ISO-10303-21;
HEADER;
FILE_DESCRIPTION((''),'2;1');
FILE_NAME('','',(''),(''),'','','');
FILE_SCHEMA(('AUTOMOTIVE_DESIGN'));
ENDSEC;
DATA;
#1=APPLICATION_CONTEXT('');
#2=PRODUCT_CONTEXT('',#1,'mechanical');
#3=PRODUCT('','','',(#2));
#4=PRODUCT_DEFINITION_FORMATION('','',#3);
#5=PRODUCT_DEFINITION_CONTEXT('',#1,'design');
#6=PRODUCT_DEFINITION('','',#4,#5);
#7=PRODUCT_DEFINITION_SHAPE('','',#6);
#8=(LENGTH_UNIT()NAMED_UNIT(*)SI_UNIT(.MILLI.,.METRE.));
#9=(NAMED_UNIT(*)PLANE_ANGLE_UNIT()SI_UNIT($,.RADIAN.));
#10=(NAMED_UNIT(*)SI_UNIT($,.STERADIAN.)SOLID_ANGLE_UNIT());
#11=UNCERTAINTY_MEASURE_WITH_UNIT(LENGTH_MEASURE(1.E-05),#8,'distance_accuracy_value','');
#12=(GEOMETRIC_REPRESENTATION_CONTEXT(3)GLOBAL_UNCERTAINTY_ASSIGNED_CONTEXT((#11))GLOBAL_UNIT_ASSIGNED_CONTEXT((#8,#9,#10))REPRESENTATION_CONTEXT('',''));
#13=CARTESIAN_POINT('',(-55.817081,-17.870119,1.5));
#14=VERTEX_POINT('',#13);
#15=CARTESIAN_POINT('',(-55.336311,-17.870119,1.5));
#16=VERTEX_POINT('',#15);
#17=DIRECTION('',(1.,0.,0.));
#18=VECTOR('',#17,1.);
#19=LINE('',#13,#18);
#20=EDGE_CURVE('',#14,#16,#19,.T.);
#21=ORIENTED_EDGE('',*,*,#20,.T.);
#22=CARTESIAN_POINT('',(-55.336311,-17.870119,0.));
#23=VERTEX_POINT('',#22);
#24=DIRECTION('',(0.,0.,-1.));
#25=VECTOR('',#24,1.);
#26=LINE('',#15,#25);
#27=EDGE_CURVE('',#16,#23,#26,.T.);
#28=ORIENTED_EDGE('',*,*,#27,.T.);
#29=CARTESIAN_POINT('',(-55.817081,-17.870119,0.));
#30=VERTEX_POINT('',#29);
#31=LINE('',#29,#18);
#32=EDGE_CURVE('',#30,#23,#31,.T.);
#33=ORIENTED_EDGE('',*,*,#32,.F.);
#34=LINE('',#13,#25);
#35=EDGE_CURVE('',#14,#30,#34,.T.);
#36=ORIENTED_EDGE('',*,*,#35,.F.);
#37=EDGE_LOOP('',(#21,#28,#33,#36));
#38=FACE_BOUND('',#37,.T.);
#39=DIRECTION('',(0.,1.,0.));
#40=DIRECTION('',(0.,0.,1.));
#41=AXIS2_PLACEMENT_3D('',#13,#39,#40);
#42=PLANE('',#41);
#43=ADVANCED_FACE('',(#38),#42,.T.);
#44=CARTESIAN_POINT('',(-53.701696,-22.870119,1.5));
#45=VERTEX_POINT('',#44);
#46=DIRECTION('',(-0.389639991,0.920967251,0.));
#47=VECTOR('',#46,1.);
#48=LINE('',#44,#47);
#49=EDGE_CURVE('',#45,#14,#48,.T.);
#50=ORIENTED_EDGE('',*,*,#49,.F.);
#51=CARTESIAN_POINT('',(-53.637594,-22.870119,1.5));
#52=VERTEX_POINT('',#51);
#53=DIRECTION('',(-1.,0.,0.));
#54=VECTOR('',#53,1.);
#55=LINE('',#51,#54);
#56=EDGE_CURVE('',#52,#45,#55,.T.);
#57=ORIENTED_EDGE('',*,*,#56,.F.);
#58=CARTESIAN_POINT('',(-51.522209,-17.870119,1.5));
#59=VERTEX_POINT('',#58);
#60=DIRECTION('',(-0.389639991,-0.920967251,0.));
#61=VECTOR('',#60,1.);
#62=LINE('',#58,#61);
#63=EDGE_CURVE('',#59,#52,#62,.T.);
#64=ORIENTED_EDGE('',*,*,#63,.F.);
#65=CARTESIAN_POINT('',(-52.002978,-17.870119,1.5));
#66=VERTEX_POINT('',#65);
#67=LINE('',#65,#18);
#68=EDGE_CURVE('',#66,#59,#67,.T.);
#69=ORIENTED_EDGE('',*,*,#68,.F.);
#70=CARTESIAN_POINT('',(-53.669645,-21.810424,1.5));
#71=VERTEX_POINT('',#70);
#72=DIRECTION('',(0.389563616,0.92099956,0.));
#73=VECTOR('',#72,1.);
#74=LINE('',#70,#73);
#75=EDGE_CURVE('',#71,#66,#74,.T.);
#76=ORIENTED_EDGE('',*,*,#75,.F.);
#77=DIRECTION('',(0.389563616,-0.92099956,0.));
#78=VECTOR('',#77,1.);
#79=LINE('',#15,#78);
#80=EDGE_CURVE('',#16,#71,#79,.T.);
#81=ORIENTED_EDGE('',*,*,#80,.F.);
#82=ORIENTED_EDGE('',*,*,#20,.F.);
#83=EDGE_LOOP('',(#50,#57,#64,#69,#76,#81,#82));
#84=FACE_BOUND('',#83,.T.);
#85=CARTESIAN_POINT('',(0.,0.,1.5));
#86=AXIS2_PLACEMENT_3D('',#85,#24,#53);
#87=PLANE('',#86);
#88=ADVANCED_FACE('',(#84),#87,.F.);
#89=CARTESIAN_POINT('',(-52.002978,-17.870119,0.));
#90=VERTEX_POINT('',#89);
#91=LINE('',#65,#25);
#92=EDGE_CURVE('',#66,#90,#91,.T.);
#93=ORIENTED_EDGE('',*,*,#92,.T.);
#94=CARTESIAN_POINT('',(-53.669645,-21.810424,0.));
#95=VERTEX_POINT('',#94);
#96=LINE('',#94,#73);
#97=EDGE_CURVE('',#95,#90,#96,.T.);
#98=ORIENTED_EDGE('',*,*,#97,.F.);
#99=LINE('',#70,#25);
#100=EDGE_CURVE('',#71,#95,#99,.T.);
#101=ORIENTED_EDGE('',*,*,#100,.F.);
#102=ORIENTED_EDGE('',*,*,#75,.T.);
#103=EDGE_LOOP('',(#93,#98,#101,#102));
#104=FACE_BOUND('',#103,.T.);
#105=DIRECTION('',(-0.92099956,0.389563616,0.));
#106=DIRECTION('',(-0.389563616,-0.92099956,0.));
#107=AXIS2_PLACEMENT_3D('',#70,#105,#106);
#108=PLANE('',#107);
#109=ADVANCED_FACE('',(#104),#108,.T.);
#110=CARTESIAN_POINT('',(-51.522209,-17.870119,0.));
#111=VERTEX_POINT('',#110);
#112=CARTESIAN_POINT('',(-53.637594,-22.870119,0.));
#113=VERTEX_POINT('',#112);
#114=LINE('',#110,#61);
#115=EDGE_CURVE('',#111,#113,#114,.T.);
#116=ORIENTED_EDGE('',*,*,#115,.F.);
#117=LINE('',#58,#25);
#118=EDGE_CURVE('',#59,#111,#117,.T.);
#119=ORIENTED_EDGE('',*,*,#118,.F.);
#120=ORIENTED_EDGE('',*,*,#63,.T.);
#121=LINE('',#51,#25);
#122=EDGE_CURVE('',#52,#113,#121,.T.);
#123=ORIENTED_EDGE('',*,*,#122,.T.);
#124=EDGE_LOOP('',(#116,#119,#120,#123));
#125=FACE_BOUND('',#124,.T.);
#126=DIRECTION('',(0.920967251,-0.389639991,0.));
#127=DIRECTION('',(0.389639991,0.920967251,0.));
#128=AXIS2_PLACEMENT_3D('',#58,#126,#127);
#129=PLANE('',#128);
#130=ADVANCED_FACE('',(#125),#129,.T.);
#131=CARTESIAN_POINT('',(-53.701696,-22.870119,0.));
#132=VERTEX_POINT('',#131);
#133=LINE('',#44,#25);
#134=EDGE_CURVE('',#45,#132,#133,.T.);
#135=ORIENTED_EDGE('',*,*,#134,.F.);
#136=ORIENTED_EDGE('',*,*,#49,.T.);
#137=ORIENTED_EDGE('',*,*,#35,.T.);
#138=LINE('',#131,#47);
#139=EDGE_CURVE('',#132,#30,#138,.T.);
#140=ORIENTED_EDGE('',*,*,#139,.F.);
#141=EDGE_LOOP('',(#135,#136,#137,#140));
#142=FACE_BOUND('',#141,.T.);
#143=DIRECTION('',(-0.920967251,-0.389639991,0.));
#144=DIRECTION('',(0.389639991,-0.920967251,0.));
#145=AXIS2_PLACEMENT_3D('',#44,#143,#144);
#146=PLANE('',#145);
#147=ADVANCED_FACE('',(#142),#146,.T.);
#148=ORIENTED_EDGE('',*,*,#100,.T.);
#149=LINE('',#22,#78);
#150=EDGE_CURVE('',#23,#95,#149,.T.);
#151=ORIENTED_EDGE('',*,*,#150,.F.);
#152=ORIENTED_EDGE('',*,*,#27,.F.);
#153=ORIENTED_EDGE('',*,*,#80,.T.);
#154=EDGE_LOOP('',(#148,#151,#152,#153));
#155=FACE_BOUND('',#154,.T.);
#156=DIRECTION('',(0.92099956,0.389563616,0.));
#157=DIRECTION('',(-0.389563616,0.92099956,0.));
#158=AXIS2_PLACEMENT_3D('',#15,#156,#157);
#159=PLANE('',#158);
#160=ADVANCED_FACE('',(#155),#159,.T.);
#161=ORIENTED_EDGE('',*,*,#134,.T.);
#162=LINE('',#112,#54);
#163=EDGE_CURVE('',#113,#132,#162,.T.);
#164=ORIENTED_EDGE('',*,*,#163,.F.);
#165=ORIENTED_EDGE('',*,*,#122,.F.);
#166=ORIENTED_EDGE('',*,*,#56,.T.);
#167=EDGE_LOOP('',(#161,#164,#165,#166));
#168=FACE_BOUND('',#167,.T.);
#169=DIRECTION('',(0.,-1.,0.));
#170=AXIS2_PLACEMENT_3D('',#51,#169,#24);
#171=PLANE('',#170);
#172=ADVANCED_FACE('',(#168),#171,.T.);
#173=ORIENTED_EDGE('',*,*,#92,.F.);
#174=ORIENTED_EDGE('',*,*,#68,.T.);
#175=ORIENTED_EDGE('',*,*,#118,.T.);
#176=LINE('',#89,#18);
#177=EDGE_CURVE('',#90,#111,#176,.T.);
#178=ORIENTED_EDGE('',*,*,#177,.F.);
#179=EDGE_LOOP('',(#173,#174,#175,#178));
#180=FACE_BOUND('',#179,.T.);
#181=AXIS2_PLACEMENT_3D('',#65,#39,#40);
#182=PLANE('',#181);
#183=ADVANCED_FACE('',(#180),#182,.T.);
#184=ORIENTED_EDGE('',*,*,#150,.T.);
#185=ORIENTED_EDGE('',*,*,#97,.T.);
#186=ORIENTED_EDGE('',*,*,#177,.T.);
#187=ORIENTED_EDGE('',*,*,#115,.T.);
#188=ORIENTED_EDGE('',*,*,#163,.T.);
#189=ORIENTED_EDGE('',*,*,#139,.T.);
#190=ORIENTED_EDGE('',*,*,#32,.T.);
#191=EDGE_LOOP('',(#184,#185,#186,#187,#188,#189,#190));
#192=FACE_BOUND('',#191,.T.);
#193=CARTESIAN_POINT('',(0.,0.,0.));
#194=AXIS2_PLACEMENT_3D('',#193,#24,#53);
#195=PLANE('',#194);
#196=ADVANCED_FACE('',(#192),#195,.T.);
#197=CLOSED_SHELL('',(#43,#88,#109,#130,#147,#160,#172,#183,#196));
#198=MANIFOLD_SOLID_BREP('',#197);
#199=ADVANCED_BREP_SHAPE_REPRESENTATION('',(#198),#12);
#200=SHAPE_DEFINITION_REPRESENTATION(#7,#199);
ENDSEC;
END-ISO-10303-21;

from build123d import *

# Parameters (mm, degrees)
BOSS_EXTRU_1_DEPTH = 1.5


with BuildPart() as part:
    # Esquisse1 → Boss.-Extru.1 (new body)
    with BuildSketch(Plane.XY):
        Polygon((-55.81708071, -17.870119076), (-55.33631148, -17.870119076), (-53.669644813, -21.810423563), (-52.002978146, -17.870119076), (-51.522208916, -17.870119076), (-53.637593531, -22.870119076), (-53.701696095, -22.870119076), align=None)
    extrude(amount=BOSS_EXTRU_1_DEPTH)


solid = part.part
